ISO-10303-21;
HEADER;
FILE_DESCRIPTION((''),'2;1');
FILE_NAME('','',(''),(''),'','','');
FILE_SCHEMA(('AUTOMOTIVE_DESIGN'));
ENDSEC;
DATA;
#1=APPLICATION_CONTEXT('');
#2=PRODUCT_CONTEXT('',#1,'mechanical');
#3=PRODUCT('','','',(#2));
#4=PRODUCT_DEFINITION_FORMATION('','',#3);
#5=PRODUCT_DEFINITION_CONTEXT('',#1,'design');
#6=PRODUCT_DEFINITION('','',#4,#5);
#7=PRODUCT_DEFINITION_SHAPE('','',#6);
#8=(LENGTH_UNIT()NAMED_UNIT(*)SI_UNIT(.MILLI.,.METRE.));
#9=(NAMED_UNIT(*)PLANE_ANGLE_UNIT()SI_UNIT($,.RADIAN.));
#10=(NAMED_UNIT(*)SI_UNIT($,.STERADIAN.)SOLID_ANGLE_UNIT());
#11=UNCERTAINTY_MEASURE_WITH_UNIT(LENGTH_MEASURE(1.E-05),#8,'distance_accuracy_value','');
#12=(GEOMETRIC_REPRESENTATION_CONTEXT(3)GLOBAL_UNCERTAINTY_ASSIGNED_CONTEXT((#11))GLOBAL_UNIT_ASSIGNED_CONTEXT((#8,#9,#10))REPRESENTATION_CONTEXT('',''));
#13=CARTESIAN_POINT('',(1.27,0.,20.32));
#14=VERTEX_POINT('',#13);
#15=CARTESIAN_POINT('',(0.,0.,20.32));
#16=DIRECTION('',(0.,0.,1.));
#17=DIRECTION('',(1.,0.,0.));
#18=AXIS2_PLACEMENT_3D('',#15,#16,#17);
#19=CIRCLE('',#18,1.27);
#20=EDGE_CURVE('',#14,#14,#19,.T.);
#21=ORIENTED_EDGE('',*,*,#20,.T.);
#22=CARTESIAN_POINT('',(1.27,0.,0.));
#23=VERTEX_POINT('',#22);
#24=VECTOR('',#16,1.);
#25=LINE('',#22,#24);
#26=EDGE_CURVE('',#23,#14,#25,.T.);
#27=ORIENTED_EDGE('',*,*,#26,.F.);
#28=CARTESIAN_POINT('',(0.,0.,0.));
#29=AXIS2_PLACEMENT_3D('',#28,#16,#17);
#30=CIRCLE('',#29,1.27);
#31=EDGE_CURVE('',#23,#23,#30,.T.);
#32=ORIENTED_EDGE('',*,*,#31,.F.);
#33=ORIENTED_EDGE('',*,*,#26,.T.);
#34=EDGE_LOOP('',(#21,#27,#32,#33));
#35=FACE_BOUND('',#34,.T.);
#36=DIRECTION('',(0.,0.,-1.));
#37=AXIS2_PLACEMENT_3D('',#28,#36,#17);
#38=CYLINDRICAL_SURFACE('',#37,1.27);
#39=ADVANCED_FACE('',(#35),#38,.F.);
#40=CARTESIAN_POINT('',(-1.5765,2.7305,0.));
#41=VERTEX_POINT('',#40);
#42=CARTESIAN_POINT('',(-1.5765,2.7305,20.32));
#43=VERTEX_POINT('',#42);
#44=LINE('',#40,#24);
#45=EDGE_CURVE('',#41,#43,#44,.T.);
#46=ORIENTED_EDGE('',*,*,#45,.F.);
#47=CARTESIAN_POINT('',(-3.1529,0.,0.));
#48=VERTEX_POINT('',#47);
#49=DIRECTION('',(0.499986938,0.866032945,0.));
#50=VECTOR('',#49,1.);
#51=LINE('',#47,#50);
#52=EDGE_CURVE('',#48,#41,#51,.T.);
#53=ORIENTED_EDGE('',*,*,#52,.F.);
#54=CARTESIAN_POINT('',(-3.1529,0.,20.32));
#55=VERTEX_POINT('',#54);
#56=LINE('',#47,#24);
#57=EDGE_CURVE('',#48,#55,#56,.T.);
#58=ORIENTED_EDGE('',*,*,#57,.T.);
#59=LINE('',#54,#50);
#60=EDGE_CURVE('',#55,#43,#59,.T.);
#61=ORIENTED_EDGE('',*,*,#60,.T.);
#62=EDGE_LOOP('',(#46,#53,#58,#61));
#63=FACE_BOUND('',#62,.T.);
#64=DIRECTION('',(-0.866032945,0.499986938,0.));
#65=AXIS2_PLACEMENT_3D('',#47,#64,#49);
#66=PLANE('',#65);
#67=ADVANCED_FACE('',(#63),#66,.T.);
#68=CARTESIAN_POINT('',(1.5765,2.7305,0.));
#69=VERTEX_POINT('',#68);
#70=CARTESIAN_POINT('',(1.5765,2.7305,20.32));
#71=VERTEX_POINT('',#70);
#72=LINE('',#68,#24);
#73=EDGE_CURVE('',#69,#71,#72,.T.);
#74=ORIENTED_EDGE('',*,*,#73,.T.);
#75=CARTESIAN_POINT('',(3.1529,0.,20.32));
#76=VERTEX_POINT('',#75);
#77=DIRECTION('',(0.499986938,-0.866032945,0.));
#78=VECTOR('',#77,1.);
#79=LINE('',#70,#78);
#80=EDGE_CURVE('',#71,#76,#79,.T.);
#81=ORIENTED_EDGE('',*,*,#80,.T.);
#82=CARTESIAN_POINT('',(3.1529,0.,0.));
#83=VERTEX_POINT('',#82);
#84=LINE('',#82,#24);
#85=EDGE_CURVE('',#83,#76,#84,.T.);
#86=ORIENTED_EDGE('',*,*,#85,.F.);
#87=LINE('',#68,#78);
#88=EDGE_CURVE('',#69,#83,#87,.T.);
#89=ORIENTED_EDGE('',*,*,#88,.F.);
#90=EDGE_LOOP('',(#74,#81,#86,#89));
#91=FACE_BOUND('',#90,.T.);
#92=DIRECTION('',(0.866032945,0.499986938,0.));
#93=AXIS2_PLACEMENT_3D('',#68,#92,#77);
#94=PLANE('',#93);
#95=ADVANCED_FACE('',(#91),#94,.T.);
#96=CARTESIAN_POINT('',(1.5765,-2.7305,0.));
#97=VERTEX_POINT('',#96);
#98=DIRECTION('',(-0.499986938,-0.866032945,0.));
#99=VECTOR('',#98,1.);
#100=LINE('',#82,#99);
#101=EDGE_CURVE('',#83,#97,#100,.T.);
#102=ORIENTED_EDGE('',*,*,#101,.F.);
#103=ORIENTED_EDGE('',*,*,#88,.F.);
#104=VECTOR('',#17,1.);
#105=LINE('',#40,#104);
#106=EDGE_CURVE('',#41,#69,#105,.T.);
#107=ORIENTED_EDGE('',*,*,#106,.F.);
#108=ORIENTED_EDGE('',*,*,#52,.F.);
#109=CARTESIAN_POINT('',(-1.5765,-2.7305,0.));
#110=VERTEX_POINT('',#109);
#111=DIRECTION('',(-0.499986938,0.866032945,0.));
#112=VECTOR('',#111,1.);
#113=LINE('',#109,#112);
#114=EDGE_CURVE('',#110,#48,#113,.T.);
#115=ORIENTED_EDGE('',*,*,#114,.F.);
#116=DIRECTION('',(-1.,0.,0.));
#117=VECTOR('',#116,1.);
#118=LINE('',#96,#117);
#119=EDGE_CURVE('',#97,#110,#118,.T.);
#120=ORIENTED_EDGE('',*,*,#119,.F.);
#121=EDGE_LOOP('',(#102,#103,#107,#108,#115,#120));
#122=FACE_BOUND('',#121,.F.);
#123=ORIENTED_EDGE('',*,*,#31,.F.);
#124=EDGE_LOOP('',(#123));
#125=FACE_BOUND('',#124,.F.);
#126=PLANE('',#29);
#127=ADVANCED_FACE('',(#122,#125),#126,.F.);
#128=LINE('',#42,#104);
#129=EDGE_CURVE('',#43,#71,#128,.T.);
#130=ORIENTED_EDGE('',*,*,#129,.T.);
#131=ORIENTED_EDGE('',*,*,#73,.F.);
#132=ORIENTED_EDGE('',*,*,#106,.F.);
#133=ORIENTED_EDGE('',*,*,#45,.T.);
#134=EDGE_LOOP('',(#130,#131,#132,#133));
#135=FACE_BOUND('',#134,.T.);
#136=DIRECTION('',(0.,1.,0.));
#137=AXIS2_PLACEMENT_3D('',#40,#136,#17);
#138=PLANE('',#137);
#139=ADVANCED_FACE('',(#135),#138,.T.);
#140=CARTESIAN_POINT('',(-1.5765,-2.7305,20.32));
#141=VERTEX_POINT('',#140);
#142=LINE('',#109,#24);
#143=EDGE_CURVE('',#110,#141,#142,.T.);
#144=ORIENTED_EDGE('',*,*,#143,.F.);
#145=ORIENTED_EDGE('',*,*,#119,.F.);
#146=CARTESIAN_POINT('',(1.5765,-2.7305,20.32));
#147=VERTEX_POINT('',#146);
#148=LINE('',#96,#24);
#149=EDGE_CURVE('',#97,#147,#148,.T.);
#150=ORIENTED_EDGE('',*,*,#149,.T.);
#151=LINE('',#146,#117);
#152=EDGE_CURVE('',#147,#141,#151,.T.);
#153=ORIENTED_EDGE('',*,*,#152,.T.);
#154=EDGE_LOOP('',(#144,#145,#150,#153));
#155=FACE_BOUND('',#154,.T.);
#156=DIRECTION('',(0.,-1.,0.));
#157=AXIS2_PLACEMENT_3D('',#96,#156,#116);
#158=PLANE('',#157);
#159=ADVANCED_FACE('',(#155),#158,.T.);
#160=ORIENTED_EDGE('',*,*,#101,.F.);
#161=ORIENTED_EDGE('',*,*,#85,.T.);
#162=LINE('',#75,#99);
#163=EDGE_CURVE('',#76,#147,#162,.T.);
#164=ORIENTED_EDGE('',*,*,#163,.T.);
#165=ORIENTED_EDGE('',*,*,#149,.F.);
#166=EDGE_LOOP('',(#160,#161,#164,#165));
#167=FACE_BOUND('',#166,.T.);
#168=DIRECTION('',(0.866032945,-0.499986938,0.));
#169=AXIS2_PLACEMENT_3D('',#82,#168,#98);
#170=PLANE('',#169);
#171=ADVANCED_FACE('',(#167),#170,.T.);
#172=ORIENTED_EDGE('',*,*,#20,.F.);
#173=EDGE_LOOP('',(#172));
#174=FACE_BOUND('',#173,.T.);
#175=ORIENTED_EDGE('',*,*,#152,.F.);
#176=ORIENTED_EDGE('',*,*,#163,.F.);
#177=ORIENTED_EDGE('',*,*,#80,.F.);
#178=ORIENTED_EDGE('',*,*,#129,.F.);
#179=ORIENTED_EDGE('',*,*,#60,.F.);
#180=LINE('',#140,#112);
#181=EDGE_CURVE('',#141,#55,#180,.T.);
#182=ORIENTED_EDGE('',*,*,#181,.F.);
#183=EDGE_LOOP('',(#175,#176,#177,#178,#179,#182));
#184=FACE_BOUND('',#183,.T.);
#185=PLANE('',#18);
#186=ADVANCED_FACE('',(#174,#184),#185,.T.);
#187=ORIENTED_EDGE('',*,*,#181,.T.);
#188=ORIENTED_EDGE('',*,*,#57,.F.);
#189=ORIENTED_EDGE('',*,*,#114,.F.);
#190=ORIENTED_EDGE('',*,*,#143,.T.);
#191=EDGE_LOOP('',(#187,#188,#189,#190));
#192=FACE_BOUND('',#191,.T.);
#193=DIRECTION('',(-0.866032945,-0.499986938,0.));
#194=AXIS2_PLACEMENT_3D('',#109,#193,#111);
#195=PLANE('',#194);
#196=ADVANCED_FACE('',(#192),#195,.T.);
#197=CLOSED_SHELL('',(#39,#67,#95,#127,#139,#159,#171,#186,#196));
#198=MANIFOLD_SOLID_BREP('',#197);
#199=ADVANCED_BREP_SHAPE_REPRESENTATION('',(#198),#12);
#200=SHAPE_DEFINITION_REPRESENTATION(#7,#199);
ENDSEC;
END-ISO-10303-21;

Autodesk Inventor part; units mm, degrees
ref_plane "YZ Plane" through (0, 0, 0) normal (1, 0, 0) x (0, 1, 0)
ref_plane "XZ Plane" through (0, 0, 0) normal (0, 1, 0) x (-1, 0, 0)
ref_plane "XY Plane" through (0, 0, 0) normal (0, 0, 1) x (1, 0, 0)
sketch "Sketch1" plane through (0, 0, 0) normal (0, 0, 1) x (1, 0, 0)
  circle A0 centre (0, 0) radius 1.27
  line L0 (3.1529, 0) -> (1.5765, -2.7305)
  line L1 (1.5765, -2.7305) -> (-1.5765, -2.7305)
  line L2 (-1.5765, -2.7305) -> (-3.1529, 0)
  line L3 (-3.1529, 0) -> (-1.5765, 2.7305)
  line L4 (-1.5765, 2.7305) -> (1.5765, 2.7305)
  line L5 (1.5765, 2.7305) -> (3.1529, 0)
  dimension "d0" = 2.54
  dimension "d1" = 5.461
extrude "Extrusion1" add sketch "Sketch1" along normal blind 20.32
properties part number "Hex Offset"
